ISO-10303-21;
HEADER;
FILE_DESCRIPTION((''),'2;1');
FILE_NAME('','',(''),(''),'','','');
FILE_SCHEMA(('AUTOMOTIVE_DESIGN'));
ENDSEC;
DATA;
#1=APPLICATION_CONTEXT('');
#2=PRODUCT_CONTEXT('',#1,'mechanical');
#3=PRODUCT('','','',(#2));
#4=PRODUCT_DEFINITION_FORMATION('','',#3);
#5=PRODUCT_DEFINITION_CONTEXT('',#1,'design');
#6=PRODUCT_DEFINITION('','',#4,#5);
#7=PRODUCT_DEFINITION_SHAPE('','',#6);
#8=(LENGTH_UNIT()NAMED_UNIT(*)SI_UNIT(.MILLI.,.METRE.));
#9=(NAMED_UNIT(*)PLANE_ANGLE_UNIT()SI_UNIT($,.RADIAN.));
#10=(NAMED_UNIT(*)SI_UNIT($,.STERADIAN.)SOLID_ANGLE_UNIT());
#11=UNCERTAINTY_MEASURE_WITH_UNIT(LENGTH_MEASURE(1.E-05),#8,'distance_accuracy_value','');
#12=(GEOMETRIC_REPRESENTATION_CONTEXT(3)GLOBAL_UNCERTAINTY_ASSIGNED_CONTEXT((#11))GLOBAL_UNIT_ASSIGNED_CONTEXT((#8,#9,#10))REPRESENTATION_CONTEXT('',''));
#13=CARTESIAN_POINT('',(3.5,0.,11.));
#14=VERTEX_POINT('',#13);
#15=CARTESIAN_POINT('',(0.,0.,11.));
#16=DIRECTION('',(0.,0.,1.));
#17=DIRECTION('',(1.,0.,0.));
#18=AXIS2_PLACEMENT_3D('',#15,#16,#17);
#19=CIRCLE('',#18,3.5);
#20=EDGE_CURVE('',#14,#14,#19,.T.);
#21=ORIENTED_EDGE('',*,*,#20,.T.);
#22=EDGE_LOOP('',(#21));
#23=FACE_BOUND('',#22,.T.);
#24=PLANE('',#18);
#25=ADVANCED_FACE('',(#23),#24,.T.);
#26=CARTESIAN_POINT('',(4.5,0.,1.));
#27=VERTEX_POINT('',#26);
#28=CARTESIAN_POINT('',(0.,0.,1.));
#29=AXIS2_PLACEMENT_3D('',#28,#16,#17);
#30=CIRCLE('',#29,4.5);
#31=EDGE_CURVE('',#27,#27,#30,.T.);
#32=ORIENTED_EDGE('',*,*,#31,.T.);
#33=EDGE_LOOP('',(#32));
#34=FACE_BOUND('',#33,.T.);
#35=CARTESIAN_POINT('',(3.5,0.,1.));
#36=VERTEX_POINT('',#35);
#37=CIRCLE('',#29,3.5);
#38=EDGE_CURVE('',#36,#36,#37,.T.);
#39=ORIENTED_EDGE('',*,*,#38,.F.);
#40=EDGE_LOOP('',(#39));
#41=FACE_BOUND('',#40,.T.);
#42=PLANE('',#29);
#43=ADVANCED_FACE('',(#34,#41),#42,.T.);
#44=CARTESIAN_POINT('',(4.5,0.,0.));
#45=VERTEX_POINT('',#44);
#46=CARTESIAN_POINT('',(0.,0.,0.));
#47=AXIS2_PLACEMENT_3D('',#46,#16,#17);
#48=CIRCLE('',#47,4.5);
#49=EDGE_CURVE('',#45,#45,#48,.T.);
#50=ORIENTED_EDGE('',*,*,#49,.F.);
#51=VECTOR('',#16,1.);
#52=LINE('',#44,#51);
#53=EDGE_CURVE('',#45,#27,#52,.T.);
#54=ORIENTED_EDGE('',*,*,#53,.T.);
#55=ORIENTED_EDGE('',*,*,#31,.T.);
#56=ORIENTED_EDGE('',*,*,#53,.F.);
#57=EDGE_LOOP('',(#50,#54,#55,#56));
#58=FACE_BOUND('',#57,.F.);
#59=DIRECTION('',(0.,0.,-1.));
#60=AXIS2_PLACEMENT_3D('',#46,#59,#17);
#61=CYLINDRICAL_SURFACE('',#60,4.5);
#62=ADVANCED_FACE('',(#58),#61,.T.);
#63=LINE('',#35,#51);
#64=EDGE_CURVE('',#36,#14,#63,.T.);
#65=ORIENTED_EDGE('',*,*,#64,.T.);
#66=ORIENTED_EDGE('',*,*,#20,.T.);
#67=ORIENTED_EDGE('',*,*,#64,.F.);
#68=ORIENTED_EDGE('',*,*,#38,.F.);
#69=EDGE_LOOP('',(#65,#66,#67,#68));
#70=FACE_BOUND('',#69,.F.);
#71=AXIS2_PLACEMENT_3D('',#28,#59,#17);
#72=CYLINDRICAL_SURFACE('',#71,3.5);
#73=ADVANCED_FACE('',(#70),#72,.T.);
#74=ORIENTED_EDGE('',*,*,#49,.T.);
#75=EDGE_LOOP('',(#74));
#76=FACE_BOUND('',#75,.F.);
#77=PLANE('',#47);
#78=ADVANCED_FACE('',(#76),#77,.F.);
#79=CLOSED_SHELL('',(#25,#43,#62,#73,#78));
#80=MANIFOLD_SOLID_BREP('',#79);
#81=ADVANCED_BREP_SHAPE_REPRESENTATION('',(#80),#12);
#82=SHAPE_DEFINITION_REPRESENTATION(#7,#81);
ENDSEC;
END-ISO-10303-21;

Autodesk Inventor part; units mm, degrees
ref_plane "YZ Plane" through (0, 0, 0) normal (1, 0, 0) x (0, 1, 0)
ref_plane "XZ Plane" through (0, 0, 0) normal (0, 1, 0) x (-1, 0, 0)
ref_plane "XY Plane" through (0, 0, 0) normal (0, 0, 1) x (1, 0, 0)
sketch "Sketch1" plane through (0, 0, 0) normal (0, 0, 1) x (1, 0, 0)
  circle A0 centre (0, 0) radius 4.5
  dimension "d0" = 9
extrude "Extrusion1" add sketch "Sketch1" along normal blind 1
sketch "Sketch2" plane through (0, 0, 1) normal (0, 0, 1) x (1, 0, 0)
  point P0 (0, 0)
sketch "Sketch3" plane through (0, 0, 1) normal (0, 0, 1) x (1, 0, 0)
  circle A0 centre (0, 0) radius 3.5
  dimension "d3" = 7
extrude "Extrusion2" add sketch "Sketch3" along normal blind 10
thread "Thread1" size "M7x1" class "6g" standard "ANSI Metric M Profile" full length
properties part number "very small nut"
